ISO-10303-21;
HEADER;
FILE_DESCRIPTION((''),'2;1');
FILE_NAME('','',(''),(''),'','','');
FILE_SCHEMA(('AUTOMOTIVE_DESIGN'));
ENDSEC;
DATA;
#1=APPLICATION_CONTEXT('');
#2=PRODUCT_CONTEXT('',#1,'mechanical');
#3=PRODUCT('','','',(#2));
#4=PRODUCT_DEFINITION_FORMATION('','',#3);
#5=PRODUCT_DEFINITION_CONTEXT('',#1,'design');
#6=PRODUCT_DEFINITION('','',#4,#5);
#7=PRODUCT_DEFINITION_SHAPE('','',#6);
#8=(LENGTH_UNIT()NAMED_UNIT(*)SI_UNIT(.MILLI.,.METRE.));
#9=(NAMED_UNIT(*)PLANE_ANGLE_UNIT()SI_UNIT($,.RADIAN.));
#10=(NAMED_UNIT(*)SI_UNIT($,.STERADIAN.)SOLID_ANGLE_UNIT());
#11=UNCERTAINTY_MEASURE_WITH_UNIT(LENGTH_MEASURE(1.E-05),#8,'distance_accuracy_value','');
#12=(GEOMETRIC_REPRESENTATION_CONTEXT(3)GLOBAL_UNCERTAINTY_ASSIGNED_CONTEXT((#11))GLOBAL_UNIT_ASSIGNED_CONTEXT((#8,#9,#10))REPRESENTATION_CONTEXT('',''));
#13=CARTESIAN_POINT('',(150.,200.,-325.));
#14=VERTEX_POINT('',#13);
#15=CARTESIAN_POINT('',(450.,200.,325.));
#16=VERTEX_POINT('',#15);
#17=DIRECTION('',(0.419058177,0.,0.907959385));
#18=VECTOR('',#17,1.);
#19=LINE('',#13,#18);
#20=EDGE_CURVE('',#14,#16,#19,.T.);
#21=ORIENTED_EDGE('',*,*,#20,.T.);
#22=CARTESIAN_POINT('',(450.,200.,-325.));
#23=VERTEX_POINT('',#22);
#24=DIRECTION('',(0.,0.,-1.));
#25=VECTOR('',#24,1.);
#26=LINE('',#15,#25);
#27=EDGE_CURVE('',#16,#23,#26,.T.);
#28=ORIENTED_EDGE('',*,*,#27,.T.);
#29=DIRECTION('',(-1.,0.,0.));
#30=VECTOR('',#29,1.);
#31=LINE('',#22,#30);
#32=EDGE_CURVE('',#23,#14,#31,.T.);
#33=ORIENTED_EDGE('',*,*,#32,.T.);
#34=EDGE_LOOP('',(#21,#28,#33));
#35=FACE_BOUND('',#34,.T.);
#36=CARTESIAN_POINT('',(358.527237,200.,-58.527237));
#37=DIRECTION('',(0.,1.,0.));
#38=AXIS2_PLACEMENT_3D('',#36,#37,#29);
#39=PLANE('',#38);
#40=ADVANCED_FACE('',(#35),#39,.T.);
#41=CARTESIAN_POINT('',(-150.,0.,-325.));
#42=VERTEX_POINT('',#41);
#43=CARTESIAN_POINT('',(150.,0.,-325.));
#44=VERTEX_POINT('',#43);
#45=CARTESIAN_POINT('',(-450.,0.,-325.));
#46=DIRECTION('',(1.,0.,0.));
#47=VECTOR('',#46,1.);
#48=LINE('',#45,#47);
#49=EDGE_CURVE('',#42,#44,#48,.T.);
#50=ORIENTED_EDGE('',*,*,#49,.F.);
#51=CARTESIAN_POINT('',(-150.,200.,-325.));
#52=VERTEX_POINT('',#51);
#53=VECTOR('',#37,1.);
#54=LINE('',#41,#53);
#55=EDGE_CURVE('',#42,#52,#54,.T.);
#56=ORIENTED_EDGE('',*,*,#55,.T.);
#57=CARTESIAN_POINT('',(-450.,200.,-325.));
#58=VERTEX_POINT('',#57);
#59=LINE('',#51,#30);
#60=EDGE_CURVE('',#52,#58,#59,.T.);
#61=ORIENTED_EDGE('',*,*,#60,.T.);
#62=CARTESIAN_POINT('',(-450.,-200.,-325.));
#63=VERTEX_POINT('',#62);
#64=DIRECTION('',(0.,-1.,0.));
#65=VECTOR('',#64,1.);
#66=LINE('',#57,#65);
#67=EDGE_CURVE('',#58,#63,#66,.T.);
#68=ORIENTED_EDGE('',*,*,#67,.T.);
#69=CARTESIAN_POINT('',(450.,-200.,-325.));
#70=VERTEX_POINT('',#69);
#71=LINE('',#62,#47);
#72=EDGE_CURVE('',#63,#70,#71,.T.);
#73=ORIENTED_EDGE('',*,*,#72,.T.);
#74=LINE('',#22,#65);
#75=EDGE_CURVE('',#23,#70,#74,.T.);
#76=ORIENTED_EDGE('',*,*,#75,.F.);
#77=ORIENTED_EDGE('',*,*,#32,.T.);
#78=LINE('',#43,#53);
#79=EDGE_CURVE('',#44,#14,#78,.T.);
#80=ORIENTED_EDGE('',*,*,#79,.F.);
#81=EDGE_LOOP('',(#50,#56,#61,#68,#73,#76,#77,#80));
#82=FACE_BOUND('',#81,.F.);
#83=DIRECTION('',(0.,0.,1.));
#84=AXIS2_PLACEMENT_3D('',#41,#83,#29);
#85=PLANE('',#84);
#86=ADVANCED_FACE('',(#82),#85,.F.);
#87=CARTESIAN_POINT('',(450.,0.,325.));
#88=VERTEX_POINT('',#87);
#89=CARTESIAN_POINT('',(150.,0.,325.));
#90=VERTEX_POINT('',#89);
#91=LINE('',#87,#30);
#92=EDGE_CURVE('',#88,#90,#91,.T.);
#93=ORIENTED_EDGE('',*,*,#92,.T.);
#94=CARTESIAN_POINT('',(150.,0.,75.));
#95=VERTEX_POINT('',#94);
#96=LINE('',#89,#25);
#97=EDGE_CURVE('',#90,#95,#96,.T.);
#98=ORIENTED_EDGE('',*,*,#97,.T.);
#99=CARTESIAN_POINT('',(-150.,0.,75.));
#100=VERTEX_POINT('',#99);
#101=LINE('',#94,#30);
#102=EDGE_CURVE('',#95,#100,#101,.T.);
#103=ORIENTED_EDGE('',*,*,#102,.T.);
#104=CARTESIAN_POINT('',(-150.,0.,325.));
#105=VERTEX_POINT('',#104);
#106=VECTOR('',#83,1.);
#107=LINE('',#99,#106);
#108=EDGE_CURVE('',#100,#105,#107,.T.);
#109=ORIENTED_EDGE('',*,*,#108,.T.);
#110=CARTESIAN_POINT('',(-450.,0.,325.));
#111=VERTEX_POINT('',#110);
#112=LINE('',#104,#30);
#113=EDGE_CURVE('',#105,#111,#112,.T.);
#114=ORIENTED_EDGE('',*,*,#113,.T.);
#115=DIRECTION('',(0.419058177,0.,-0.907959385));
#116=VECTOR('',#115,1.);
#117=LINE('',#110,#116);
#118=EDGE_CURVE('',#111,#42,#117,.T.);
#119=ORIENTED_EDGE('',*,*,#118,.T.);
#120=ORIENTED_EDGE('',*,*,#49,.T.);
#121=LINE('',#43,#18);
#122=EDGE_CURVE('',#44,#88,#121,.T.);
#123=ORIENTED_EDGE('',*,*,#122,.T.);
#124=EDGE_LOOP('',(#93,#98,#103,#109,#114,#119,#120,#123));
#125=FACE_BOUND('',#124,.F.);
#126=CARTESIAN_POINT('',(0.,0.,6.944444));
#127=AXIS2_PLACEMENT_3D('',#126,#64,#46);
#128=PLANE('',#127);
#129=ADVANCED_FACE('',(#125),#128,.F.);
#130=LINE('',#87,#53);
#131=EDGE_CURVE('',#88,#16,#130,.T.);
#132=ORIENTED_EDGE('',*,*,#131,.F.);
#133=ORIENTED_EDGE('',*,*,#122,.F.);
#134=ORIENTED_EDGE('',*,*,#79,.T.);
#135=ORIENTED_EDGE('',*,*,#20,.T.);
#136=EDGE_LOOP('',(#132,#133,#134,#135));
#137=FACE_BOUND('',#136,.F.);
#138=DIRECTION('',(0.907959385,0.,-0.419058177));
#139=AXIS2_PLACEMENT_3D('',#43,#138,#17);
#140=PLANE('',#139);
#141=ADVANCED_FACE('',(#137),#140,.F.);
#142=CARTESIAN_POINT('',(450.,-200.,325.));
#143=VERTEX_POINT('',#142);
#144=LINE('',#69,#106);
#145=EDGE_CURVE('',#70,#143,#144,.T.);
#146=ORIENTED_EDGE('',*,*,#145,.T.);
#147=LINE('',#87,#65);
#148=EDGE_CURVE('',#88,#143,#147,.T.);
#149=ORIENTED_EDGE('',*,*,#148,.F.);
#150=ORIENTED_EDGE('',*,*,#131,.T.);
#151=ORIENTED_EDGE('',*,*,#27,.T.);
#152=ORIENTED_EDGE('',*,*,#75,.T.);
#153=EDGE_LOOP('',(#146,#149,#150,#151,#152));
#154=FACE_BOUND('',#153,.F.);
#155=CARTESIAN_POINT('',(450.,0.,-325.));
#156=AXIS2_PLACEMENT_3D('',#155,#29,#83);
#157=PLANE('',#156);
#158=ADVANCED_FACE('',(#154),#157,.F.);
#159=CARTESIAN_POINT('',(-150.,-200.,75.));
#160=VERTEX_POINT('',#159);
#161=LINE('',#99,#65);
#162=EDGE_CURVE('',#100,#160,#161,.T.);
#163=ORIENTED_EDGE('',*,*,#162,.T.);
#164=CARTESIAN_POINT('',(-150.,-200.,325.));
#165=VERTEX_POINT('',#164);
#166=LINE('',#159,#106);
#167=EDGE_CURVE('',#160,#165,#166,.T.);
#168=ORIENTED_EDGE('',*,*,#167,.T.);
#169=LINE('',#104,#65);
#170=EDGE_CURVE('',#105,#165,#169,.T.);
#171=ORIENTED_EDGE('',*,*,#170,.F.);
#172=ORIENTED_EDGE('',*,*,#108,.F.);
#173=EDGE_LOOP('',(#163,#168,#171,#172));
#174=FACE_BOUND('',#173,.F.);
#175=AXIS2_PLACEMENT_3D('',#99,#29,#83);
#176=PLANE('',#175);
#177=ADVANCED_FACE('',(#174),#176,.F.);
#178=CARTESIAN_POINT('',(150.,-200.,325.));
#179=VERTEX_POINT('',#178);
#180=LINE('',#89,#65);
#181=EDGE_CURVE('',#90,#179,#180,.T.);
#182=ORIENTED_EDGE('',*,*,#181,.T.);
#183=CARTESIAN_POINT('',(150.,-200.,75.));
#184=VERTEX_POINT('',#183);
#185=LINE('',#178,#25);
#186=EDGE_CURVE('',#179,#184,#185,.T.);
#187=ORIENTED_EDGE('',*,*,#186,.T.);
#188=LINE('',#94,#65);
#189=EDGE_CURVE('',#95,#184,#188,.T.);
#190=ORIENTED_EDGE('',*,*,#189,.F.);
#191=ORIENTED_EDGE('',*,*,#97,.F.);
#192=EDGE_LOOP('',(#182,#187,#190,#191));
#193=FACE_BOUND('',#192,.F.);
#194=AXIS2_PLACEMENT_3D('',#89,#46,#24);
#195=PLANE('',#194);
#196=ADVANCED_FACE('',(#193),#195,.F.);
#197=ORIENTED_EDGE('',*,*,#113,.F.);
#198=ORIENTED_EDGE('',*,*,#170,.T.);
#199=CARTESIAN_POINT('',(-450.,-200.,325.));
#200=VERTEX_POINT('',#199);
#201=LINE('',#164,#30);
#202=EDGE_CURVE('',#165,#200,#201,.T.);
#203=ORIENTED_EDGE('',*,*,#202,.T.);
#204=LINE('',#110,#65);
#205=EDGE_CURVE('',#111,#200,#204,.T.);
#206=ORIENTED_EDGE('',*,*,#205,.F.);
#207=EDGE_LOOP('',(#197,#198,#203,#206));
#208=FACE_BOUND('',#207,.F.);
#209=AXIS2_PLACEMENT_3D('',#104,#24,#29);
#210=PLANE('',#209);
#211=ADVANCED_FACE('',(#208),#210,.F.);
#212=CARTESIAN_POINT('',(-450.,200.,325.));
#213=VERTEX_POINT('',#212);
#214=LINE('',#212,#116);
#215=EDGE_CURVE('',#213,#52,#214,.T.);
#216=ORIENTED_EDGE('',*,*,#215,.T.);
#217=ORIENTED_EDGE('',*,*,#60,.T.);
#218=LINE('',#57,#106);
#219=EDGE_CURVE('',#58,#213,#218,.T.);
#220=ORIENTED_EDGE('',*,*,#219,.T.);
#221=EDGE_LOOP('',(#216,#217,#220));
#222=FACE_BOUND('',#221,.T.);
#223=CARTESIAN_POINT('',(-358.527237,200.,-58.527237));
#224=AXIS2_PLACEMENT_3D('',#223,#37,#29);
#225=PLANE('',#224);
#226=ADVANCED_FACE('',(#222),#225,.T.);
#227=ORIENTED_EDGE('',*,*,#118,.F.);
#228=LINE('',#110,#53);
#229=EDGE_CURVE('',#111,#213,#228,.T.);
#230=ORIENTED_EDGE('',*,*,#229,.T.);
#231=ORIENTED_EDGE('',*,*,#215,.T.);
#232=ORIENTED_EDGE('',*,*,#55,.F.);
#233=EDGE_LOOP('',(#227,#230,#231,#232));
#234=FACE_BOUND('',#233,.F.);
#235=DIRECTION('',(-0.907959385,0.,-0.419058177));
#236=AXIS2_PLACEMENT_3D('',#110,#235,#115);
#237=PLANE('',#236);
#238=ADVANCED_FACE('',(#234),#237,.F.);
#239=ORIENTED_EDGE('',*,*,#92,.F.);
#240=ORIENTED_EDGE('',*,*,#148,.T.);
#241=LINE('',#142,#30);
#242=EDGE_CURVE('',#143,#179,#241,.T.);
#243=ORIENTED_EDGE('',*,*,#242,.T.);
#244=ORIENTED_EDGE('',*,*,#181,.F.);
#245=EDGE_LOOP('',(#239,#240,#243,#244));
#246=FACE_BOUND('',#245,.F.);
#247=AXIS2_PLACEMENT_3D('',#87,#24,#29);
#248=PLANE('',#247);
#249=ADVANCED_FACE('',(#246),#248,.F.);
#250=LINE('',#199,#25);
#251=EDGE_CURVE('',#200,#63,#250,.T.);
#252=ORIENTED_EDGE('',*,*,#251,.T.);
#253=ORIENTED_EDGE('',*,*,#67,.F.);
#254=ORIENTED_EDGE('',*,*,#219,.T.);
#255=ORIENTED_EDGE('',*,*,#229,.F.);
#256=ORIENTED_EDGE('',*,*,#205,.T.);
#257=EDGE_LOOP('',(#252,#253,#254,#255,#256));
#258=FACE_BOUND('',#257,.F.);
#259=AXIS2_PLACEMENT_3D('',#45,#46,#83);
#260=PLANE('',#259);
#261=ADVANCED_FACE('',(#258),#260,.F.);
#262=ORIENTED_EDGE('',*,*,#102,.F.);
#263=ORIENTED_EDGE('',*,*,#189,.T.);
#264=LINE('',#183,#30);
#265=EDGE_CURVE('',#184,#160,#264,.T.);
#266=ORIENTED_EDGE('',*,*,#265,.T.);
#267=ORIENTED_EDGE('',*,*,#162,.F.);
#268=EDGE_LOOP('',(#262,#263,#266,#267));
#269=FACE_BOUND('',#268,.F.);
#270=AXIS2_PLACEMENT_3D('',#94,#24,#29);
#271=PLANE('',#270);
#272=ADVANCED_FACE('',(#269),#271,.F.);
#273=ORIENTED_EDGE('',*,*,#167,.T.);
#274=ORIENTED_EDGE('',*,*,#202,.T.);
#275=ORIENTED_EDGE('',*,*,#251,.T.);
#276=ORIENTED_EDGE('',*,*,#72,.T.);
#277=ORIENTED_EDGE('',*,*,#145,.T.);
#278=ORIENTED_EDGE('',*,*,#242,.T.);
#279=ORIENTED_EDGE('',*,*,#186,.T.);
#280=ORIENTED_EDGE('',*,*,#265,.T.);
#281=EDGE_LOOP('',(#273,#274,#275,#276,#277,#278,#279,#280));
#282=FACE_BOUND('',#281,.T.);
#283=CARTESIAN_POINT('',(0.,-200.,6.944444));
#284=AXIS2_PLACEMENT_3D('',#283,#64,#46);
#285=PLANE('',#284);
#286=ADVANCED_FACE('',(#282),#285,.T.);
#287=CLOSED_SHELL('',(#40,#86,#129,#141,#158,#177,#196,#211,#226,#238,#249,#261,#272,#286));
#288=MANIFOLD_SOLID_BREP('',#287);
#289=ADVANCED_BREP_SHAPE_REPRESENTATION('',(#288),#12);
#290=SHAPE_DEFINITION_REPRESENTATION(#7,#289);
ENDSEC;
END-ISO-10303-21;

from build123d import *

# Parameters (mm, degrees)
F1_DEPTH = 200
F3_DEPTH = 200


with BuildPart() as f1:
    # F0 (on Front) → F1 (new body)
    with BuildSketch(Plane.XZ):
        Polygon((-150, 325), (-450, 325), (-450, -325), (450, -325), (450, 325), (150, 325), (150, 75), (-150, 75), align=None)
    extrude(amount=F1_DEPTH)

    # F2 (on face) → F3 (join)
    with BuildSketch(Plane(origin=(0, 0, 0), x_dir=(-1, 0, 0), z_dir=(0, 1, 0))):
        Polygon((450, -325), (450, 325), (150, -325), align=None)
        Polygon((-150, -325), (-450, 325), (-450, -325), align=None)
    extrude(amount=F3_DEPTH)


solid = f1.part
